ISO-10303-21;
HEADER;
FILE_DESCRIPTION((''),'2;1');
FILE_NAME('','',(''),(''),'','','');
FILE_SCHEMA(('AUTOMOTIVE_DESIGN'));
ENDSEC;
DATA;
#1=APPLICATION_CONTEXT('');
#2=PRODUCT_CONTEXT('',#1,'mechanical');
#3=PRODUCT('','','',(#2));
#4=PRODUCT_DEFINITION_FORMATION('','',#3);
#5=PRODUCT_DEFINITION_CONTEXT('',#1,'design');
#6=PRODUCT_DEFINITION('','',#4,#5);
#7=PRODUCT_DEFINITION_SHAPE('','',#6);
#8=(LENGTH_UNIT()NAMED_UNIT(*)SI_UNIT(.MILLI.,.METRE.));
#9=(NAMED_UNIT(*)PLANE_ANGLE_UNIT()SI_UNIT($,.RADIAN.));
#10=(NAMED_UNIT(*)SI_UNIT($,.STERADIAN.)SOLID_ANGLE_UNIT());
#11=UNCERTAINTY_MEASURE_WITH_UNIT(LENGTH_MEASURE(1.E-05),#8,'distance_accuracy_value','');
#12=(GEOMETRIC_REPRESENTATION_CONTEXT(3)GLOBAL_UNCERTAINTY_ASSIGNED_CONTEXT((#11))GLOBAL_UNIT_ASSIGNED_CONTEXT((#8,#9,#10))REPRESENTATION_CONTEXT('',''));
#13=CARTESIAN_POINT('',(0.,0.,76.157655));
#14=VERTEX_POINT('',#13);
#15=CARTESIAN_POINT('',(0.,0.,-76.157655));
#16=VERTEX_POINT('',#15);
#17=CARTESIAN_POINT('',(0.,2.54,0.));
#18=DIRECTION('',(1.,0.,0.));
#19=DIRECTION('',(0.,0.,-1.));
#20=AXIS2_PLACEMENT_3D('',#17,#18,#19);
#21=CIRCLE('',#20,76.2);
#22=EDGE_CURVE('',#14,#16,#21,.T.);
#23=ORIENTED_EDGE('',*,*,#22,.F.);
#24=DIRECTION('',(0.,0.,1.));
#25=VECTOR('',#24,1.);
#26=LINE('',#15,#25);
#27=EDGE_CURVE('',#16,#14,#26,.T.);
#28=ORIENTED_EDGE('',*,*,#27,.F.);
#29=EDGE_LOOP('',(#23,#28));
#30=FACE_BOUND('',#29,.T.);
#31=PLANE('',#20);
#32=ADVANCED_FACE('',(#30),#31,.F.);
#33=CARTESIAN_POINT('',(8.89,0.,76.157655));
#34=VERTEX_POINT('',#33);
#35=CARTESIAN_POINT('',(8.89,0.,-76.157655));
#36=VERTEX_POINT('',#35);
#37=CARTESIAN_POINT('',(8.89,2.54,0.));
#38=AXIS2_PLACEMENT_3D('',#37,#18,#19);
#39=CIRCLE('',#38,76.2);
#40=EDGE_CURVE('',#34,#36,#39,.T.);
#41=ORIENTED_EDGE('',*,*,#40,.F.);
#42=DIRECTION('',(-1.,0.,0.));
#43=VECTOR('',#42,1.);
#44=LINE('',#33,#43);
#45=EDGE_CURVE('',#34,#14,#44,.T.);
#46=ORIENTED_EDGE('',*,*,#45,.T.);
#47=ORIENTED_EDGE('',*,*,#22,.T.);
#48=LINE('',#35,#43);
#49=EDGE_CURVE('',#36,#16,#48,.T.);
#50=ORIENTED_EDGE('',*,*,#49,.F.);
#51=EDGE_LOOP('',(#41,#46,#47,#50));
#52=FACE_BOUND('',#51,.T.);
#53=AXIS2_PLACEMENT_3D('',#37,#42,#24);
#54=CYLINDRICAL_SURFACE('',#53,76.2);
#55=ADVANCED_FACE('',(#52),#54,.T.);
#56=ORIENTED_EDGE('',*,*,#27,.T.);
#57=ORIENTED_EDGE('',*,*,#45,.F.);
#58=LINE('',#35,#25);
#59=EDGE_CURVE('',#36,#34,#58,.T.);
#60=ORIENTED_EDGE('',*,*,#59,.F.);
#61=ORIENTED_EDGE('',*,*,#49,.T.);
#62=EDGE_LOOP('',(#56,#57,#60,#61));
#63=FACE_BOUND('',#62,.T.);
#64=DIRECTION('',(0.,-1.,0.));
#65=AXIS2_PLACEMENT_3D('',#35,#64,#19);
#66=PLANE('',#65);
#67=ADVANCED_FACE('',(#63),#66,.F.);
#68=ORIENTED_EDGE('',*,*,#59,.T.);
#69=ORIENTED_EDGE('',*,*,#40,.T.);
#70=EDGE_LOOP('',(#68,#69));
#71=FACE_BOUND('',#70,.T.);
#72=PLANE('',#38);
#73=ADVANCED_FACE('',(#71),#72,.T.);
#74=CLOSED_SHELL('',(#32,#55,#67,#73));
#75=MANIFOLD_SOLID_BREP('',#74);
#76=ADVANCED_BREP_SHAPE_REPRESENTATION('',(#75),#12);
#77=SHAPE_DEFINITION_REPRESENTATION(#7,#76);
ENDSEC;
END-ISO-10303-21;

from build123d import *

# Parameters (mm, degrees)
BOSS_EXTRUDE1_DEPTH = 8.89


with BuildPart() as part:
    # Sketch1 → Boss-Extrude1 (new body)
    with BuildSketch(Plane(origin=(0, 0, 0), x_dir=(0, 0, -1), z_dir=(1, 0, 0))):
        with BuildLine():
            Line((76.157654901, 0), (-76.157654901, 0))
            ThreePointArc((-76.157654901, 0), (0, -73.66), (76.157654901, 0))
        make_face()
    extrude(amount=BOSS_EXTRUDE1_DEPTH)


solid = part.part
